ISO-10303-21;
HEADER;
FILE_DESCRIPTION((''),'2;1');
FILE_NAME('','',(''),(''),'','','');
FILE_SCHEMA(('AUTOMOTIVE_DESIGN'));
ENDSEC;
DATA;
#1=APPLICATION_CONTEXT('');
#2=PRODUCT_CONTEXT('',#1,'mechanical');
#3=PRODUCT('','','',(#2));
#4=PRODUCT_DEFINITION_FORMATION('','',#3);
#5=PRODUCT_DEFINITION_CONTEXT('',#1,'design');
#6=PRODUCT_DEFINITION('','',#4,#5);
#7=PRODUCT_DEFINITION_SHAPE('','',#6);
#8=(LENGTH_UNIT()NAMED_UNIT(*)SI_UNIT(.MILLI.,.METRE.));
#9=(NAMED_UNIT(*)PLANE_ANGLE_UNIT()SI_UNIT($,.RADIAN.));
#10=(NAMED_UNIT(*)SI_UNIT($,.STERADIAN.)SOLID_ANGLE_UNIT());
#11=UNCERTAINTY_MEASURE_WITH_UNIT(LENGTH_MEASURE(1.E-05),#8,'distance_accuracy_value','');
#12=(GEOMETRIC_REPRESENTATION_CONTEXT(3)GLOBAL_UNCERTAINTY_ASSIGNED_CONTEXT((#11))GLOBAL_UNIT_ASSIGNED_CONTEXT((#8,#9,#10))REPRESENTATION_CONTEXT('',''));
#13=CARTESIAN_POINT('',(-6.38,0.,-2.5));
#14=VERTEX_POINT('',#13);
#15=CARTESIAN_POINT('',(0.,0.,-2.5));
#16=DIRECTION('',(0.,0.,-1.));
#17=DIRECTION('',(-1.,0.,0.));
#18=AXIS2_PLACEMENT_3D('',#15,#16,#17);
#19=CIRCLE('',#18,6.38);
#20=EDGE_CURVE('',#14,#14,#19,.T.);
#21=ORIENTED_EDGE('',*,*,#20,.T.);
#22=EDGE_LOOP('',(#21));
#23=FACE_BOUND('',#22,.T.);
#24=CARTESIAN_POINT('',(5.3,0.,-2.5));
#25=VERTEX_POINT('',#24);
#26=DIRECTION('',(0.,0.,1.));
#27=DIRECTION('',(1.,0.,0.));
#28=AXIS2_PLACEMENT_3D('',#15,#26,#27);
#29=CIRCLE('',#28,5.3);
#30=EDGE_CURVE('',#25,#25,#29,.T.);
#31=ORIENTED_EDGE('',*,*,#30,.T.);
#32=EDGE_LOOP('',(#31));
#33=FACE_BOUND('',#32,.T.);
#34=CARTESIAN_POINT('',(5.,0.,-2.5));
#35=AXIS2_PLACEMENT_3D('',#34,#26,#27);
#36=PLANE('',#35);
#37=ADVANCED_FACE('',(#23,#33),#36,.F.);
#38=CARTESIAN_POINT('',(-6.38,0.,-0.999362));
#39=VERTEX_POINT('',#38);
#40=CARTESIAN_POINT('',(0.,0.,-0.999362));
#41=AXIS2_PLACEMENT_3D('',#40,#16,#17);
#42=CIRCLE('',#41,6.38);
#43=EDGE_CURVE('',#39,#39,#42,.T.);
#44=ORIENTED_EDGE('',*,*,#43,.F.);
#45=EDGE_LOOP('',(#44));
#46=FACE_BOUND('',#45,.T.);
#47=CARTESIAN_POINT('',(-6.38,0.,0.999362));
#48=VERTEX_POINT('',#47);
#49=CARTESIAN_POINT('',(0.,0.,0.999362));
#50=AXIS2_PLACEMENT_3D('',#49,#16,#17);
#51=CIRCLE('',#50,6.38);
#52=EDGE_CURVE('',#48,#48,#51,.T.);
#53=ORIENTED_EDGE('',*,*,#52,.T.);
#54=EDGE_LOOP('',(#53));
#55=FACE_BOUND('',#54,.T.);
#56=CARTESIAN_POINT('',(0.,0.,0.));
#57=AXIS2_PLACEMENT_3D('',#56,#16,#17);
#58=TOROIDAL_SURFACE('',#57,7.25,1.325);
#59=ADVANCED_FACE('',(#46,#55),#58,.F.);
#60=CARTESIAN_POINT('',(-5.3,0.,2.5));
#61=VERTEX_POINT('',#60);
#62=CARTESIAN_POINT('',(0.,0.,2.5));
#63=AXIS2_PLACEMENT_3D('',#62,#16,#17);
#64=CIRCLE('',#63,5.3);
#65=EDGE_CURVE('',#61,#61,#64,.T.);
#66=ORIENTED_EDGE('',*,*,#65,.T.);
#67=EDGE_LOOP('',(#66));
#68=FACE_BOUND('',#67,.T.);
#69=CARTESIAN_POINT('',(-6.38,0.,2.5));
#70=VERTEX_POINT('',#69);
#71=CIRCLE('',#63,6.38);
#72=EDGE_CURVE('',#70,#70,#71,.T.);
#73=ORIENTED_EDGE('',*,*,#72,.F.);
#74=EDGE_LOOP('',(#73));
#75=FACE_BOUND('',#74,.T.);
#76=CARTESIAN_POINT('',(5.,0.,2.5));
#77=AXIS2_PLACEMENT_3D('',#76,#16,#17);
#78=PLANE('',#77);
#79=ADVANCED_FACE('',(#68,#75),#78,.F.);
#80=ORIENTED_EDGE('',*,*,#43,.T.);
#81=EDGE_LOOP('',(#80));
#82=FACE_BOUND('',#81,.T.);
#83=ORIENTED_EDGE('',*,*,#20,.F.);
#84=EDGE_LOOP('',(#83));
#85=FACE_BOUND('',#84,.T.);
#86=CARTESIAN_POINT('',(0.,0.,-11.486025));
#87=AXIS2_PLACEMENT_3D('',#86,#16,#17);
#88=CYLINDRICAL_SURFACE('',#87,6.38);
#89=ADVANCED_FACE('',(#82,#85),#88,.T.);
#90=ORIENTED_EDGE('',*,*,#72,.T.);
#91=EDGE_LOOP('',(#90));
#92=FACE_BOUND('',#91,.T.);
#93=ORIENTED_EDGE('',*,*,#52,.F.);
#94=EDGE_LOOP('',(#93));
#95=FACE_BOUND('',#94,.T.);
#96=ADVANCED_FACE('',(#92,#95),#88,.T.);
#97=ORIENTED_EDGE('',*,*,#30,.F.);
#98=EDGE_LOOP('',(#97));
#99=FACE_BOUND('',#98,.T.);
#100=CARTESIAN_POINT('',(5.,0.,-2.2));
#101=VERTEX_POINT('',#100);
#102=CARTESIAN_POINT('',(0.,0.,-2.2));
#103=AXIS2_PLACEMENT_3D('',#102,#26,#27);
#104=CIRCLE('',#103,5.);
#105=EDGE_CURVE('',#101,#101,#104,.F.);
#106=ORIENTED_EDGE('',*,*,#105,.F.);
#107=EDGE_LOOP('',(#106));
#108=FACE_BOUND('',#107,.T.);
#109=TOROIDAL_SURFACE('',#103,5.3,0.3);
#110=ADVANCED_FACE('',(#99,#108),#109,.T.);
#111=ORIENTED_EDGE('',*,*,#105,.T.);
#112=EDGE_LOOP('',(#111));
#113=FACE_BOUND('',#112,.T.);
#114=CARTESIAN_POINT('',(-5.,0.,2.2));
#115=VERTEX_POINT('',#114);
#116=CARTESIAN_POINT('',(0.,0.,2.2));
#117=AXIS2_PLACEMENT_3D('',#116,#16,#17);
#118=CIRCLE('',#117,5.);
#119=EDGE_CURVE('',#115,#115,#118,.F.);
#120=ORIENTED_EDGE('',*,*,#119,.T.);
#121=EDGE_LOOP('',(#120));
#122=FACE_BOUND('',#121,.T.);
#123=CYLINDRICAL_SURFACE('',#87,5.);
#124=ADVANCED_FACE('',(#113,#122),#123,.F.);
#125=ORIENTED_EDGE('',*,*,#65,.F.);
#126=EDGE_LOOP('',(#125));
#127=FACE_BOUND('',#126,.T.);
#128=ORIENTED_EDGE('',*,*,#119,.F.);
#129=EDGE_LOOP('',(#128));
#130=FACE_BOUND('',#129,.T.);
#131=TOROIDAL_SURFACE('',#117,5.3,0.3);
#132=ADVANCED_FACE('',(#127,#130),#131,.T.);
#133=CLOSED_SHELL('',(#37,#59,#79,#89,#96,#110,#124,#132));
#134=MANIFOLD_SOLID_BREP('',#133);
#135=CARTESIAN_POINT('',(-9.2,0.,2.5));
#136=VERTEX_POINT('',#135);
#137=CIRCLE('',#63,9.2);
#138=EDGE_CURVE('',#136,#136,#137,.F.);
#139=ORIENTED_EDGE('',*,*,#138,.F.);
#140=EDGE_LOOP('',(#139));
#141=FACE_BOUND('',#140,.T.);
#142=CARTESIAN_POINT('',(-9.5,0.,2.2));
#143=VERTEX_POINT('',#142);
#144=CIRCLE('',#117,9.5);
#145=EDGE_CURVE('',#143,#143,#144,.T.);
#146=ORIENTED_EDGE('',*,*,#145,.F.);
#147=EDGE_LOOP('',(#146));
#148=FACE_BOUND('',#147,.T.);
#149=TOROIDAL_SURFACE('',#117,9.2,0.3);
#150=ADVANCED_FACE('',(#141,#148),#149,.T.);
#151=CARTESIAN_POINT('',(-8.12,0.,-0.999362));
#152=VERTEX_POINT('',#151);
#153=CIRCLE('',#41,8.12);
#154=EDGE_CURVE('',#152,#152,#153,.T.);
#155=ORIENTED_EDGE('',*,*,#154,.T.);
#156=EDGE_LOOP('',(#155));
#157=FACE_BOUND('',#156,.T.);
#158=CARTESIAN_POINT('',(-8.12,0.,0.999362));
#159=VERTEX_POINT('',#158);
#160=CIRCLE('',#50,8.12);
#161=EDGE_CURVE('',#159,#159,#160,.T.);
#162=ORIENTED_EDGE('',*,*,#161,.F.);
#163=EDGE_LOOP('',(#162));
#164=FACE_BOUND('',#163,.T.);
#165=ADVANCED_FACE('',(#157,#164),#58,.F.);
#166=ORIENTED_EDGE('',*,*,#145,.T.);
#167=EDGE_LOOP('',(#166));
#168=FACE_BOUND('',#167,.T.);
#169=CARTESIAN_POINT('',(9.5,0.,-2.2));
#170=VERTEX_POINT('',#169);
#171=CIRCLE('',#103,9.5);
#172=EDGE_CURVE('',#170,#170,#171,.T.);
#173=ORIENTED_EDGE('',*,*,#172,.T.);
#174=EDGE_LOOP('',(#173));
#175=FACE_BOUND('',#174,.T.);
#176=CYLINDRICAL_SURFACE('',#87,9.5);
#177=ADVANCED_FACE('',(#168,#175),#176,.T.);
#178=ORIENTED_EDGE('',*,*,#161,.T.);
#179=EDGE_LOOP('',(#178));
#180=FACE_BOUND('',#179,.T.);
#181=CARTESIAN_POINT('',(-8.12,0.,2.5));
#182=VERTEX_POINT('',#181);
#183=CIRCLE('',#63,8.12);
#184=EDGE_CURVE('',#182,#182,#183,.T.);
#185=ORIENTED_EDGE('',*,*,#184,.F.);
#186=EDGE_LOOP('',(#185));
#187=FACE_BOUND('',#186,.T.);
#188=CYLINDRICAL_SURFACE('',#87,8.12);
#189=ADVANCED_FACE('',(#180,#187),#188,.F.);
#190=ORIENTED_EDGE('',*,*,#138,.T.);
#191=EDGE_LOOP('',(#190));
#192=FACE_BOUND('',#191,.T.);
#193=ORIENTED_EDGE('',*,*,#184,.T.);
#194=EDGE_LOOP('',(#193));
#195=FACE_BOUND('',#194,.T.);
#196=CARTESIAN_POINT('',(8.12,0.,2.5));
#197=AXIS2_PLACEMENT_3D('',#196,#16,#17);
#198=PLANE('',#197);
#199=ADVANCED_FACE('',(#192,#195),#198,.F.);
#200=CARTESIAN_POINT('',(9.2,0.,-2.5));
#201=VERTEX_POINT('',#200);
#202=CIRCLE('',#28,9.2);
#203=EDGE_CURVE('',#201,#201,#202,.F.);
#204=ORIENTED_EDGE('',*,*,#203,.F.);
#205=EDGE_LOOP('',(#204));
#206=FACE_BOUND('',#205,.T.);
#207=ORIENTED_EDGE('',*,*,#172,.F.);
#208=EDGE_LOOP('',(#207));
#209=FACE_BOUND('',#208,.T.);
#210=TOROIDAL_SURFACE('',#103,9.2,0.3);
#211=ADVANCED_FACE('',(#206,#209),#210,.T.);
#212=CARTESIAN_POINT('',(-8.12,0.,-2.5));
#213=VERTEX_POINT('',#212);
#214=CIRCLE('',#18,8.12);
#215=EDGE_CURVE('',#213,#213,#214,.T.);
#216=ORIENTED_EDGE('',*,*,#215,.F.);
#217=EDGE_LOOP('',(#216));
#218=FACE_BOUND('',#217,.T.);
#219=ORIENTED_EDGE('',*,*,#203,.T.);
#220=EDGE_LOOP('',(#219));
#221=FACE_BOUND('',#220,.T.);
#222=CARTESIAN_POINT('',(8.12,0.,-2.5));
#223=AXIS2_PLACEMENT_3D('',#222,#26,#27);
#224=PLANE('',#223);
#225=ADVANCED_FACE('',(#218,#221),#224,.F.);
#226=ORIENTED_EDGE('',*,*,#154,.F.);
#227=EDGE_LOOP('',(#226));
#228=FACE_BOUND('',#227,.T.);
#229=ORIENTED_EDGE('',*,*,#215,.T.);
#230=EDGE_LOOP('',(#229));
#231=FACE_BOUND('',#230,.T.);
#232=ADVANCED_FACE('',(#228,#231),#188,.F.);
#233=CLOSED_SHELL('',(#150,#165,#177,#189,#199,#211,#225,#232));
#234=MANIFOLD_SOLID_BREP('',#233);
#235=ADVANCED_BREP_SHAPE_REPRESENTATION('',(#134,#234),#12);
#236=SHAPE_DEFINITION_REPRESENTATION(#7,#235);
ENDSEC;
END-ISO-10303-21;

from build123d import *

# Parameters (mm, degrees)
FILLET_1_R = 0.3
FILLET_2_R = 0.3


with BuildPart() as part:
    # 草图1 → 旋转1 (revolve)
    with BuildSketch(Plane(origin=(0, 0, 0), x_dir=(1, 0, 0), z_dir=(0, 1, 0)), mode=Mode.PRIVATE) as revolve_1_sk:
        with BuildLine():
            Line((6.38, -2.5), (6.38, -0.999362297))
            ThreePointArc((6.38, -0.999362297), (5.925, 0), (6.38, 0.999362297))
            Line((6.38, 0.999362297), (6.38, 2.5))
            Line((6.38, 2.5), (5, 2.5))
            Line((5, 2.5), (5, -2.5))
            Line((5, -2.5), (6.38, -2.5))
        make_face()
        with BuildLine():
            Line((9.5, 2.5), (9.5, -2.5))
            Line((9.5, -2.5), (8.12, -2.5))
            Line((8.12, -2.5), (8.12, -0.999362297))
            ThreePointArc((8.12, -0.999362297), (8.575, 0), (8.12, 0.999362297))
            Line((8.12, 0.999362297), (8.12, 2.5))
            Line((8.12, 2.5), (9.5, 2.5))
        make_face()
    revolve(revolve_1_sk.sketch.rotate(Axis((0, 0, -11.486025173), (0, 0, 1)), 180), axis=Axis((0, 0, -11.486025173), (0, 0, 1)))

    # 圆角1
    fillet_1_edges = [part.edges().sort_by_distance(p)[0] for p in [
        (9.5, 0, -2.5),
        (9.5, 0, 2.5),
    ]]
    fillet(fillet_1_edges, radius=FILLET_1_R)

    # 圆角2
    fillet_2_edges = [part.edges().sort_by_distance(p)[0] for p in [
        (5, 0, -2.5),
        (5, 0, 2.5),
    ]]
    fillet(fillet_2_edges, radius=FILLET_2_R)


solid = part.part
